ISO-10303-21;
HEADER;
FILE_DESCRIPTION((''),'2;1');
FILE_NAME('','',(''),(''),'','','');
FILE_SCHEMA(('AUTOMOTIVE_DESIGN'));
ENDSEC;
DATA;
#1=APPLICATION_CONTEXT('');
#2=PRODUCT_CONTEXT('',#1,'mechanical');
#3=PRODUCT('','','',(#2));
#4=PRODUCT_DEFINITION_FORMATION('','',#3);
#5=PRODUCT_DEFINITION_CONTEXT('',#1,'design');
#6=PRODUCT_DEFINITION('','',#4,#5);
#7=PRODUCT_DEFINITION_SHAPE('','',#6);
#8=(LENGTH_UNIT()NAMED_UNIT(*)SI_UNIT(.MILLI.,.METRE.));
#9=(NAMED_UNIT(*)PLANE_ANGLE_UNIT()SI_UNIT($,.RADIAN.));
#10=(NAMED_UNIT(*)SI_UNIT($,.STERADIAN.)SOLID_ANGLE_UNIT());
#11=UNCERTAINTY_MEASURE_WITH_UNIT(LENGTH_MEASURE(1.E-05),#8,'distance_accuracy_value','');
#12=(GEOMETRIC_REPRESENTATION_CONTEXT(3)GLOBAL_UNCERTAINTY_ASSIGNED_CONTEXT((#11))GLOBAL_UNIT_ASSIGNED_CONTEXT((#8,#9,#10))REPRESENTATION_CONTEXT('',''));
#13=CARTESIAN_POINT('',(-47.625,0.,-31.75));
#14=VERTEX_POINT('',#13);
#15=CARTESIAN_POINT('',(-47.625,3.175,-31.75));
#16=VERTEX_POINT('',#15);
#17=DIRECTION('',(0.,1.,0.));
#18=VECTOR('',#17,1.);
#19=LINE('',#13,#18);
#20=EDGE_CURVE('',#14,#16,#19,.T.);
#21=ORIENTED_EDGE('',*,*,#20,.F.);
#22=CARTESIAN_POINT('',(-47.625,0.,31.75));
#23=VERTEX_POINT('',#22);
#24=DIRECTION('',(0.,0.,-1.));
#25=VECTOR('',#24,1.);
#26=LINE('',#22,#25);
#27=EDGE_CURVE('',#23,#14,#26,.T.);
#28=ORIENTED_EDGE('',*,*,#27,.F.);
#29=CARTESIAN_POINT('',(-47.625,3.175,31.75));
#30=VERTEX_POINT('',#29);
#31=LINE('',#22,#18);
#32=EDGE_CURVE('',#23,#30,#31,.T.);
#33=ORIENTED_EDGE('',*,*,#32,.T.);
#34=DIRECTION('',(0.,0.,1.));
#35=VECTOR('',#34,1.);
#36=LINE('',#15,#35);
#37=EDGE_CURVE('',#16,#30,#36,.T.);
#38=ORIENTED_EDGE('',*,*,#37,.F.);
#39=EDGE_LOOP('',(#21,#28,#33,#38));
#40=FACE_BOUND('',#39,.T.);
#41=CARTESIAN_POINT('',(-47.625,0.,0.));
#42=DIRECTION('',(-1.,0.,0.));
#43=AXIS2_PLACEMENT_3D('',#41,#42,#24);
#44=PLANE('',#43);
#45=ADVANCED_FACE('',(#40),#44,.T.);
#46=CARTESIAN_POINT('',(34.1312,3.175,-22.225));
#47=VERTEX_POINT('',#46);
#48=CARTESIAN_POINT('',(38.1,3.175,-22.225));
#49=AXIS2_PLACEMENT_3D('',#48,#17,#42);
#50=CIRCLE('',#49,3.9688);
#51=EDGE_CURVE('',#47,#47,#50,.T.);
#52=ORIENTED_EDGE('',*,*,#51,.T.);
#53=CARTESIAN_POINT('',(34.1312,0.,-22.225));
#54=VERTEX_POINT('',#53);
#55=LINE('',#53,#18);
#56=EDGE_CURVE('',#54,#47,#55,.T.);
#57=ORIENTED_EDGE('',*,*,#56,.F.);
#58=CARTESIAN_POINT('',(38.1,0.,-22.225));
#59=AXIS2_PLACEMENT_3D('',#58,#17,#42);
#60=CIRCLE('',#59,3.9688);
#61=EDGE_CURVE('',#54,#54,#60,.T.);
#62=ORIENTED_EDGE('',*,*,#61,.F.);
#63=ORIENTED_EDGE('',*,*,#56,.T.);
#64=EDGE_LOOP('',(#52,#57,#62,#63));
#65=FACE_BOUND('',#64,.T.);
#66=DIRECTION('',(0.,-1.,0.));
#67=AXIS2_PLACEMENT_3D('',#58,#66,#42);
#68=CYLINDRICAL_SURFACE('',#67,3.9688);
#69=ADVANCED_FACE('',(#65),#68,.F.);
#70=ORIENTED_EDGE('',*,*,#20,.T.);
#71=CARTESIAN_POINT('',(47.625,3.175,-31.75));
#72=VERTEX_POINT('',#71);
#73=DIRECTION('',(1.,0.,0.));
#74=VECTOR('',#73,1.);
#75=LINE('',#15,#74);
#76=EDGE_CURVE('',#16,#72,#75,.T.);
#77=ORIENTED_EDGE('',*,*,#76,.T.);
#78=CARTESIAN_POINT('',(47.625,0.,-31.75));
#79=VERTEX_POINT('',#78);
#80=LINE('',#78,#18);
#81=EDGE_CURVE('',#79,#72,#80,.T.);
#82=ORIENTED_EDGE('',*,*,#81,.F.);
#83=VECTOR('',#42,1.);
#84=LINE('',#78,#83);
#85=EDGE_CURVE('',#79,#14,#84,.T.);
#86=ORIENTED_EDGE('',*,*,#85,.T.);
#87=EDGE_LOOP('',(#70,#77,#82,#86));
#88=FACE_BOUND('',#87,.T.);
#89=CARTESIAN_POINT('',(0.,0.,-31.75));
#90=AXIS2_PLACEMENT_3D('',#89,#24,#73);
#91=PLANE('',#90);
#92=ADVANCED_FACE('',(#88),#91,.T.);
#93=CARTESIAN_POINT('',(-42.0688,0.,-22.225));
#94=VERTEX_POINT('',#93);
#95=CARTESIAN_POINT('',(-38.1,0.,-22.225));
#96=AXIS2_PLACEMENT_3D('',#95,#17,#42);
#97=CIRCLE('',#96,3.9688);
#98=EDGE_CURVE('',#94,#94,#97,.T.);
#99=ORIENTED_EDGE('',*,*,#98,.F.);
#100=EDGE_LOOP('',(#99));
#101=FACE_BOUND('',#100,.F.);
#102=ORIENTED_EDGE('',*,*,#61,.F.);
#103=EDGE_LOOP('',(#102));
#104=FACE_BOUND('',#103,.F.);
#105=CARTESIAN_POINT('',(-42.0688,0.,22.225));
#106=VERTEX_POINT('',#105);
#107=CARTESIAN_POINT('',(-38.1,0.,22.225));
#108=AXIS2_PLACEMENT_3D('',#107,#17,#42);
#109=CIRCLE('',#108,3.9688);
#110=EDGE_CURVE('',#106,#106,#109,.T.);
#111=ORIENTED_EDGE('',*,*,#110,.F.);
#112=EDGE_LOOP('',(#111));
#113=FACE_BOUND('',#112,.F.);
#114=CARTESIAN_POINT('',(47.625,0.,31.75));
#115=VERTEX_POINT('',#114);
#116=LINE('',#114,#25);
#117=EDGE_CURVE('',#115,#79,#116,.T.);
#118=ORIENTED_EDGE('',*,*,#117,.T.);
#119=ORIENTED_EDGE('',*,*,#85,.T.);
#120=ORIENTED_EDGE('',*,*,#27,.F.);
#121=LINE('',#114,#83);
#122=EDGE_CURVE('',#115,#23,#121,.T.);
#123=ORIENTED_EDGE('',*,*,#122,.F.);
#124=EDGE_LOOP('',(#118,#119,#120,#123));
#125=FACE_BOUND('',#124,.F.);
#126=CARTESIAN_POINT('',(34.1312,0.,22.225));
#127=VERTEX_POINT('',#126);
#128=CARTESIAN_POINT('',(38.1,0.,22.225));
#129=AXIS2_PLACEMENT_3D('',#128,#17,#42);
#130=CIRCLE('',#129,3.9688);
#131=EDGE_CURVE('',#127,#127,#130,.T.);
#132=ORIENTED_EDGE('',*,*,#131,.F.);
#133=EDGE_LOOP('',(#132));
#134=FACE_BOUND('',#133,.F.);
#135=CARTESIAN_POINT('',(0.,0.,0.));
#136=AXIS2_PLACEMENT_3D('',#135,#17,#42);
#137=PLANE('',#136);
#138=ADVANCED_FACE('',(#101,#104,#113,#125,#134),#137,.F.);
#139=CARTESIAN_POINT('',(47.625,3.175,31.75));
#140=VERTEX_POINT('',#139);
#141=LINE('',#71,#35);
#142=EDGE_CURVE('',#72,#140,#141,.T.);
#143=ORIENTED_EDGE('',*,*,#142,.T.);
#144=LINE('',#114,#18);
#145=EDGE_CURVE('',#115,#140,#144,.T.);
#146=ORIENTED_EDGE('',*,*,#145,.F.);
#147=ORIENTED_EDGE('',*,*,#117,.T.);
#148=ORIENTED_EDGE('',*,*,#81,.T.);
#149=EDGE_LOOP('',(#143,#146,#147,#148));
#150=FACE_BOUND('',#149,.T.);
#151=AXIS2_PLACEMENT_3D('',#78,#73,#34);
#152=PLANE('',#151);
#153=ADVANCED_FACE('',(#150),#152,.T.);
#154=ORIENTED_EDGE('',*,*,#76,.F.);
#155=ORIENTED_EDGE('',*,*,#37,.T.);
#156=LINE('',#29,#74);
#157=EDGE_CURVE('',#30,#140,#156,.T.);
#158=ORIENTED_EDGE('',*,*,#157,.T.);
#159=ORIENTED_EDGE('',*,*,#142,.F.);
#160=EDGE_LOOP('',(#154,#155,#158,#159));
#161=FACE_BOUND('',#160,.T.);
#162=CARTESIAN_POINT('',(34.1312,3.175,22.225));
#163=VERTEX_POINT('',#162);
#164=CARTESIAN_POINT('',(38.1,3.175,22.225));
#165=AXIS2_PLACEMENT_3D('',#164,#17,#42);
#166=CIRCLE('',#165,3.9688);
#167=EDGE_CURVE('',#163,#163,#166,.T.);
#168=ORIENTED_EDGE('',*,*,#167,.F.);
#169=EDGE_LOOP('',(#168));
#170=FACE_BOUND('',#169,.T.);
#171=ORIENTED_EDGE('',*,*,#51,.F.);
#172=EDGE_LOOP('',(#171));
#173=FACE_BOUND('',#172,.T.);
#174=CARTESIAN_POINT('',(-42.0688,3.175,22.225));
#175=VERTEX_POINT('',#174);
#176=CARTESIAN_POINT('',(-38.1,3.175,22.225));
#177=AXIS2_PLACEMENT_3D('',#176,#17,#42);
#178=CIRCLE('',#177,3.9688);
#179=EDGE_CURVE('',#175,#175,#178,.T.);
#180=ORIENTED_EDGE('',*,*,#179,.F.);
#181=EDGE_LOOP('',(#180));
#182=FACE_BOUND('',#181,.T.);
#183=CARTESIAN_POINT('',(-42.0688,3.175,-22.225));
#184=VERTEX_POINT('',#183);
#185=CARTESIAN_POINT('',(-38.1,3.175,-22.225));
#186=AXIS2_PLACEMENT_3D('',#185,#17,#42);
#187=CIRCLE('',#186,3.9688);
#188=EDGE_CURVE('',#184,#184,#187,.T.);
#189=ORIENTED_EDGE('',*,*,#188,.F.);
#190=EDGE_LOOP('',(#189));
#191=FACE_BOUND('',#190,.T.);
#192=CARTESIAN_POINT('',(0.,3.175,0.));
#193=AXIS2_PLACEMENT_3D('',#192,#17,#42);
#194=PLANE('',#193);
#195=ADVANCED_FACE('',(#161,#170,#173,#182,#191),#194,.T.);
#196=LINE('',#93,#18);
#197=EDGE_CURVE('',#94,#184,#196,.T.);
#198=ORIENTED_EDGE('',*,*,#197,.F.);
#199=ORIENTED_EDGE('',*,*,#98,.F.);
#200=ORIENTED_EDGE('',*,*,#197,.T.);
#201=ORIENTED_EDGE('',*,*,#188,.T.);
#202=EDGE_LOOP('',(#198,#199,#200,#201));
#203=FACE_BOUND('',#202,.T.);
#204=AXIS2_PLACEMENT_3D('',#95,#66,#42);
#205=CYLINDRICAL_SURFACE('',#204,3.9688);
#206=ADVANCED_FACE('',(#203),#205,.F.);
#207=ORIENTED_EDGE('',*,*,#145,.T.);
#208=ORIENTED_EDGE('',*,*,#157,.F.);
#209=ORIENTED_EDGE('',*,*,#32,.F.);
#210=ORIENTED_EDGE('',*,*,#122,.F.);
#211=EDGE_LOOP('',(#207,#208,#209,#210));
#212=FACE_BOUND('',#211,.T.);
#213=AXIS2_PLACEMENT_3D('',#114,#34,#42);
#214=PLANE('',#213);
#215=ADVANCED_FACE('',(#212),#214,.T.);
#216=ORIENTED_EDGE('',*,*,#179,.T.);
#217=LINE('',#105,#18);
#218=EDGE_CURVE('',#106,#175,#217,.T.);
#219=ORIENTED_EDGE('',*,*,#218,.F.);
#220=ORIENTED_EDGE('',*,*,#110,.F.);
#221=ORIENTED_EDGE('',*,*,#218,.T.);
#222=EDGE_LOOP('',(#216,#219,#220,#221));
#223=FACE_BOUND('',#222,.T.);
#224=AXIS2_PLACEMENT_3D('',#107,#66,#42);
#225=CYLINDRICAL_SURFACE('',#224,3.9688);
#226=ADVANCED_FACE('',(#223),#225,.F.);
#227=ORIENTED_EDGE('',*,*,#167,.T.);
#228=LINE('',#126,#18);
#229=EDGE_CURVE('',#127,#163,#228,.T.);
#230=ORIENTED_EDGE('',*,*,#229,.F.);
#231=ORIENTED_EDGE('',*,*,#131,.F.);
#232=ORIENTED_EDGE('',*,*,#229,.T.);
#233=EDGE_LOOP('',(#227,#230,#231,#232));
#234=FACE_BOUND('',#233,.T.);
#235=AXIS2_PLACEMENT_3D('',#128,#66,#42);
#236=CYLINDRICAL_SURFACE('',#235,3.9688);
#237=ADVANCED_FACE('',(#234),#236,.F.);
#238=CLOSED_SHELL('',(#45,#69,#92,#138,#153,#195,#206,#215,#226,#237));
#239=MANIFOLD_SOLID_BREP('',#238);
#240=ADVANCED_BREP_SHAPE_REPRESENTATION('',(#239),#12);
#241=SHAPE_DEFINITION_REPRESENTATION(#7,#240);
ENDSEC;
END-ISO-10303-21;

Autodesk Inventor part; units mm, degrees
ref_plane "YZ Plane" through (0, 0, 0) normal (1, 0, 0) x (0, 1, 0)
ref_plane "XZ Plane" through (0, 0, 0) normal (0, 1, 0) x (-1, 0, 0)
ref_plane "XY Plane" through (0, 0, 0) normal (0, 0, 1) x (1, 0, 0)
sketch "Sketch1" plane through (0, 0, 0) normal (0, 1, 0) x (-1, 0, 0)
  line L0 (0, -44.45) -> (0, 44.45) projected
  line L1 (66.675, 0) -> (-66.675, 0) projected
  line L2 (47.625, -31.75) -> (-47.625, -31.75)
  line L3 (-47.625, -31.75) -> (-47.625, 31.75)
  line L4 (-47.625, 31.75) -> (47.625, 31.75)
  line L5 (47.625, 31.75) -> (47.625, -31.75)
  circle A0 centre (38.1, -22.225) radius 3.9688
  circle A1 centre (38.1, 22.225) radius 3.9688
  circle A2 centre (-38.1, -22.225) radius 3.9688
  circle A3 centre (-38.1, 22.225) radius 3.9688
  point P0 (0, 0)
  dimension "d0" = 95.25
  dimension "d1" = 63.5
  dimension "d2" = 38.1
  dimension "d3" = 22.225
  dimension "d4" = 7.9375
extrude "Extrusion1" add sketch "Sketch1" along normal blind 3.175
properties part number "Caster_Plate"
